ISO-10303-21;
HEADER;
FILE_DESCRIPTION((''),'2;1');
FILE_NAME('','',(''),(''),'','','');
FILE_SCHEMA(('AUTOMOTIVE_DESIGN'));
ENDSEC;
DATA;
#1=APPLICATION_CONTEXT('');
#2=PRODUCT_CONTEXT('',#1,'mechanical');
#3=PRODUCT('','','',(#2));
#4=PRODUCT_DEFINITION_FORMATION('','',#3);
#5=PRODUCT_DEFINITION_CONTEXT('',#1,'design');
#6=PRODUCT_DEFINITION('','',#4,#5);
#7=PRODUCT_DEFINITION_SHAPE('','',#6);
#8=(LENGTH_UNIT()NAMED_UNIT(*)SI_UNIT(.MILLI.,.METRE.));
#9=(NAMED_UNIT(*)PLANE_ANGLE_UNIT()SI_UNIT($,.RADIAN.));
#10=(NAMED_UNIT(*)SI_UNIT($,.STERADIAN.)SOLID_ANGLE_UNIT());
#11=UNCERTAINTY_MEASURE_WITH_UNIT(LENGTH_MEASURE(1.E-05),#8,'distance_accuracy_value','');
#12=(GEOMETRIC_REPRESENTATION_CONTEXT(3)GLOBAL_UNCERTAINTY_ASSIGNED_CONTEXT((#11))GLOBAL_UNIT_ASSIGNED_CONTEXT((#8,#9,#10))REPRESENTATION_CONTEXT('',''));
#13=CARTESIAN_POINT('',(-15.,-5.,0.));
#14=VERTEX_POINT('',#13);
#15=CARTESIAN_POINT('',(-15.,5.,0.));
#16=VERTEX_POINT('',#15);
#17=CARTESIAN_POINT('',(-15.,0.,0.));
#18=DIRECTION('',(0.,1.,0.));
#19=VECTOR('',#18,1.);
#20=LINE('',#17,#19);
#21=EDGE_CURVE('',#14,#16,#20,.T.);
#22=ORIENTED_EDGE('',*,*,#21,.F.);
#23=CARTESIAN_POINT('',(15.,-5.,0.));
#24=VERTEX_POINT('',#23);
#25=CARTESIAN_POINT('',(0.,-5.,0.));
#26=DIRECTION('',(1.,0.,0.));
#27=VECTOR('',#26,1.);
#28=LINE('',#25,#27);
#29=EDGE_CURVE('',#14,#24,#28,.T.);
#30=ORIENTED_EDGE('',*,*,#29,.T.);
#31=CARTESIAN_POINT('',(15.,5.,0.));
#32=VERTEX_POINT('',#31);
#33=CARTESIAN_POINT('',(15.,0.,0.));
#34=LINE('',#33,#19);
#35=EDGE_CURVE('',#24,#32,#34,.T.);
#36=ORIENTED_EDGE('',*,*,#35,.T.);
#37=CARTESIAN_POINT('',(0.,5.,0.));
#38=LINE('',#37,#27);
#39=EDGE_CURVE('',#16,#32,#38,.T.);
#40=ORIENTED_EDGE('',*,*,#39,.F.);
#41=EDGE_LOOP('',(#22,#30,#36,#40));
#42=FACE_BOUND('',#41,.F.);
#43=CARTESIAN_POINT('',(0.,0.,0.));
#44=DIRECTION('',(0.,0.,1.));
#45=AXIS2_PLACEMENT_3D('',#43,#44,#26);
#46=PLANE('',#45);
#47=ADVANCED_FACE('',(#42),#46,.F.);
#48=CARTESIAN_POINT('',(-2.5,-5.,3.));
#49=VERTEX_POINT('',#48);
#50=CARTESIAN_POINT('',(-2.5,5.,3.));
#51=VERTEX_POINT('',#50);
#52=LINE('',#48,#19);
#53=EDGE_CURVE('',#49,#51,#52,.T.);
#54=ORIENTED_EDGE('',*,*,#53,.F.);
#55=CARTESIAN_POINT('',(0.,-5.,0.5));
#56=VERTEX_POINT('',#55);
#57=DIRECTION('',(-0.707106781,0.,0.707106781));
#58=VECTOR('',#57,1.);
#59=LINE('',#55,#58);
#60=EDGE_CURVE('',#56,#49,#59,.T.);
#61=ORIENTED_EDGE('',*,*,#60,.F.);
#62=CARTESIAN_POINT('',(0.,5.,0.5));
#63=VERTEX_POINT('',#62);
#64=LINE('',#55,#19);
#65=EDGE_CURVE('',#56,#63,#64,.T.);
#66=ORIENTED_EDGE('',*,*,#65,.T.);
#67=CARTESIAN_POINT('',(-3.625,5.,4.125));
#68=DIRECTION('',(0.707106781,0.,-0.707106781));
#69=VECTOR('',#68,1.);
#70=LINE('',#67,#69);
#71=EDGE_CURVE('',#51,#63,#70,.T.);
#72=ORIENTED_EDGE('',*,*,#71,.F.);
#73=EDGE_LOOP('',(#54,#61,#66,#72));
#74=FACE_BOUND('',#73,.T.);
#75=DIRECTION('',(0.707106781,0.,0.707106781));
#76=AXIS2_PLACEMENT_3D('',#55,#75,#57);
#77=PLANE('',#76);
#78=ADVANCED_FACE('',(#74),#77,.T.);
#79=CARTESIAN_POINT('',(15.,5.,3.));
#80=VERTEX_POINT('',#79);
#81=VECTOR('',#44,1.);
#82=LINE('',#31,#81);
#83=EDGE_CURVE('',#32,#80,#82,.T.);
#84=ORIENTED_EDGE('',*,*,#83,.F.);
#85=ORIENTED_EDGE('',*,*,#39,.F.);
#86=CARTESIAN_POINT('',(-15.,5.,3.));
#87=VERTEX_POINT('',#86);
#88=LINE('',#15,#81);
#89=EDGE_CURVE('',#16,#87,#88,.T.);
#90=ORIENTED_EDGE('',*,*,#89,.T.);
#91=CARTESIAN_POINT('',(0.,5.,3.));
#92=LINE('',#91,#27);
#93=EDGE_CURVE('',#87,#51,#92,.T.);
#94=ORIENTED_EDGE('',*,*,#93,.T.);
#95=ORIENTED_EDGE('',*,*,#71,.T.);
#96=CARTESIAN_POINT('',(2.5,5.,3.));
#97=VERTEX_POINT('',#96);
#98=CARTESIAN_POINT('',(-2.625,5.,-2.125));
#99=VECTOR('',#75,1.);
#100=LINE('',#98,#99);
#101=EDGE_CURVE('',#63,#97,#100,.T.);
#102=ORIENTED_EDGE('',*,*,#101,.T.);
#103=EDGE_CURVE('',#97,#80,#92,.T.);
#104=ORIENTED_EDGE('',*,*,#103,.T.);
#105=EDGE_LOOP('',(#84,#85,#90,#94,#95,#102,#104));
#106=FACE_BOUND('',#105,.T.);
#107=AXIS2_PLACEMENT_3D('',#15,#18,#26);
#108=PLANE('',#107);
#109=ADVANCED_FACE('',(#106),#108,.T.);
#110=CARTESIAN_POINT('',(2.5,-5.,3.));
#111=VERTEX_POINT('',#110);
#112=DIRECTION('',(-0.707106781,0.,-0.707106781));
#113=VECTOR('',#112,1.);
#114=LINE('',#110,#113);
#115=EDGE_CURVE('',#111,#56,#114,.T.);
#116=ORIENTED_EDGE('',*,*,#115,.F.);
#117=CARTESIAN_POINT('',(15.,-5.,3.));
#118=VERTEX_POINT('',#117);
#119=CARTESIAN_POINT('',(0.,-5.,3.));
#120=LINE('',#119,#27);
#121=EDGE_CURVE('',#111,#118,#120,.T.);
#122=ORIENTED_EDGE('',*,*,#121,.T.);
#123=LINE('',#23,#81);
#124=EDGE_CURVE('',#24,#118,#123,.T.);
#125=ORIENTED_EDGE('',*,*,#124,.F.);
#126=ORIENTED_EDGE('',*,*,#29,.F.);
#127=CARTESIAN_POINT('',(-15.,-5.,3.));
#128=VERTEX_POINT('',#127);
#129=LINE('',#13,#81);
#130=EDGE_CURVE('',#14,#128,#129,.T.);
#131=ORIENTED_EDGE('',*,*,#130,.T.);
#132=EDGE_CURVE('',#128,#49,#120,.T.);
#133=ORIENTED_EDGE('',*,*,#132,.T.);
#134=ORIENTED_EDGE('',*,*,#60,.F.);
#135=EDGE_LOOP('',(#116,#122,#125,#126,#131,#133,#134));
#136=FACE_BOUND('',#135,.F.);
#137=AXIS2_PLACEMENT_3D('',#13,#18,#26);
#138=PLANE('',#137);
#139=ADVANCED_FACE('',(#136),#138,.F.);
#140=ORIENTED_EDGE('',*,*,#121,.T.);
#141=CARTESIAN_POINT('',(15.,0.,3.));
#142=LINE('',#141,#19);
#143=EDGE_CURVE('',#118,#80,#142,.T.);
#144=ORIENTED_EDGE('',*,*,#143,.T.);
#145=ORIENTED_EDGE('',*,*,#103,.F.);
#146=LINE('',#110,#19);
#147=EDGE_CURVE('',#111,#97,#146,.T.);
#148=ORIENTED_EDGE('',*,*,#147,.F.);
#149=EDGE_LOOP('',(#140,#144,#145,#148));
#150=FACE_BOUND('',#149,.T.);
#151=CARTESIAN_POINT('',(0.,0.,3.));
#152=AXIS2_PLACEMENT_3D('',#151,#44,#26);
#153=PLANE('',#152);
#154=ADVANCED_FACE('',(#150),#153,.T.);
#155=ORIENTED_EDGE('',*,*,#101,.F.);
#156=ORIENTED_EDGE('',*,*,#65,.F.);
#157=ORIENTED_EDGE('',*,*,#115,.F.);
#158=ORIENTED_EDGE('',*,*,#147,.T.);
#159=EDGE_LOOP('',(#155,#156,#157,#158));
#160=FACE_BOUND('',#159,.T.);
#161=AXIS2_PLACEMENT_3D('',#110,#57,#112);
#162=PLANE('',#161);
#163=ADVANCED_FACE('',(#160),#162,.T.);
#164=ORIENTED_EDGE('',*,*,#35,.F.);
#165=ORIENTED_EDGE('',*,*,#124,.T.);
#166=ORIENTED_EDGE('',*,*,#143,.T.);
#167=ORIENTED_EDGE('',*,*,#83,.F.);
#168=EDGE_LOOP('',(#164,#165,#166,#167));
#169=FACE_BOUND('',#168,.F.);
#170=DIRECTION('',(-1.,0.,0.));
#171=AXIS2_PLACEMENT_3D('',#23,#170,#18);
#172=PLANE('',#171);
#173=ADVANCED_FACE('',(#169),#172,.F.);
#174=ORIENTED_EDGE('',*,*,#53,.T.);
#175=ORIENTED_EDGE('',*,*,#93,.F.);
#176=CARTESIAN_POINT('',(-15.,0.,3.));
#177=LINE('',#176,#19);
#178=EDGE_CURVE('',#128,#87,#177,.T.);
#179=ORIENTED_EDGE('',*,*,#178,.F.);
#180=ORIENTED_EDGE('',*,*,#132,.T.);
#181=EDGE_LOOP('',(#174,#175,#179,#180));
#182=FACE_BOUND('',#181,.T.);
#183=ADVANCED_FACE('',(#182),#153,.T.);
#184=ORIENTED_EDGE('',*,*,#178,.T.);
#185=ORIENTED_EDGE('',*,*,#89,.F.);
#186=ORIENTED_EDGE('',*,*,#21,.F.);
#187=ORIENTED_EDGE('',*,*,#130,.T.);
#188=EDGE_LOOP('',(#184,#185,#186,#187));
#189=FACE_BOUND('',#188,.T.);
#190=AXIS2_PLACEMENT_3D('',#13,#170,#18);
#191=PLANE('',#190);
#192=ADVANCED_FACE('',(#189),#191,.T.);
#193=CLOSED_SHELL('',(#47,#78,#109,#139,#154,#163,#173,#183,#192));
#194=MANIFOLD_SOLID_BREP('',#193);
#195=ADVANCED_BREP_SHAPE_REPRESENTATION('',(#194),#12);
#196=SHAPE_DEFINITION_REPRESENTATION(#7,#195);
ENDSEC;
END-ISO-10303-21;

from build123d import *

# Parameters (mm, degrees)
SKETCH_W     = 30
SKETCH_H     = 10
PAD_DEPTH    = 3
POCKET_DEPTH = 10.001


with BuildPart() as part:
    # Sketch → Pad (new body)
    with BuildSketch(Plane.XY):
        Rectangle(SKETCH_W, SKETCH_H)
    extrude(amount=PAD_DEPTH)

    # Sketch001 (on Face2 of Pad) → Pocket (cut, through all)
    with BuildSketch(Plane.XZ.offset(5)):
        Polygon((0, 0.5), (-2.5, 3), (2.5, 3), align=None)
    extrude(amount=-POCKET_DEPTH, mode=Mode.SUBTRACT)


solid = part.part
